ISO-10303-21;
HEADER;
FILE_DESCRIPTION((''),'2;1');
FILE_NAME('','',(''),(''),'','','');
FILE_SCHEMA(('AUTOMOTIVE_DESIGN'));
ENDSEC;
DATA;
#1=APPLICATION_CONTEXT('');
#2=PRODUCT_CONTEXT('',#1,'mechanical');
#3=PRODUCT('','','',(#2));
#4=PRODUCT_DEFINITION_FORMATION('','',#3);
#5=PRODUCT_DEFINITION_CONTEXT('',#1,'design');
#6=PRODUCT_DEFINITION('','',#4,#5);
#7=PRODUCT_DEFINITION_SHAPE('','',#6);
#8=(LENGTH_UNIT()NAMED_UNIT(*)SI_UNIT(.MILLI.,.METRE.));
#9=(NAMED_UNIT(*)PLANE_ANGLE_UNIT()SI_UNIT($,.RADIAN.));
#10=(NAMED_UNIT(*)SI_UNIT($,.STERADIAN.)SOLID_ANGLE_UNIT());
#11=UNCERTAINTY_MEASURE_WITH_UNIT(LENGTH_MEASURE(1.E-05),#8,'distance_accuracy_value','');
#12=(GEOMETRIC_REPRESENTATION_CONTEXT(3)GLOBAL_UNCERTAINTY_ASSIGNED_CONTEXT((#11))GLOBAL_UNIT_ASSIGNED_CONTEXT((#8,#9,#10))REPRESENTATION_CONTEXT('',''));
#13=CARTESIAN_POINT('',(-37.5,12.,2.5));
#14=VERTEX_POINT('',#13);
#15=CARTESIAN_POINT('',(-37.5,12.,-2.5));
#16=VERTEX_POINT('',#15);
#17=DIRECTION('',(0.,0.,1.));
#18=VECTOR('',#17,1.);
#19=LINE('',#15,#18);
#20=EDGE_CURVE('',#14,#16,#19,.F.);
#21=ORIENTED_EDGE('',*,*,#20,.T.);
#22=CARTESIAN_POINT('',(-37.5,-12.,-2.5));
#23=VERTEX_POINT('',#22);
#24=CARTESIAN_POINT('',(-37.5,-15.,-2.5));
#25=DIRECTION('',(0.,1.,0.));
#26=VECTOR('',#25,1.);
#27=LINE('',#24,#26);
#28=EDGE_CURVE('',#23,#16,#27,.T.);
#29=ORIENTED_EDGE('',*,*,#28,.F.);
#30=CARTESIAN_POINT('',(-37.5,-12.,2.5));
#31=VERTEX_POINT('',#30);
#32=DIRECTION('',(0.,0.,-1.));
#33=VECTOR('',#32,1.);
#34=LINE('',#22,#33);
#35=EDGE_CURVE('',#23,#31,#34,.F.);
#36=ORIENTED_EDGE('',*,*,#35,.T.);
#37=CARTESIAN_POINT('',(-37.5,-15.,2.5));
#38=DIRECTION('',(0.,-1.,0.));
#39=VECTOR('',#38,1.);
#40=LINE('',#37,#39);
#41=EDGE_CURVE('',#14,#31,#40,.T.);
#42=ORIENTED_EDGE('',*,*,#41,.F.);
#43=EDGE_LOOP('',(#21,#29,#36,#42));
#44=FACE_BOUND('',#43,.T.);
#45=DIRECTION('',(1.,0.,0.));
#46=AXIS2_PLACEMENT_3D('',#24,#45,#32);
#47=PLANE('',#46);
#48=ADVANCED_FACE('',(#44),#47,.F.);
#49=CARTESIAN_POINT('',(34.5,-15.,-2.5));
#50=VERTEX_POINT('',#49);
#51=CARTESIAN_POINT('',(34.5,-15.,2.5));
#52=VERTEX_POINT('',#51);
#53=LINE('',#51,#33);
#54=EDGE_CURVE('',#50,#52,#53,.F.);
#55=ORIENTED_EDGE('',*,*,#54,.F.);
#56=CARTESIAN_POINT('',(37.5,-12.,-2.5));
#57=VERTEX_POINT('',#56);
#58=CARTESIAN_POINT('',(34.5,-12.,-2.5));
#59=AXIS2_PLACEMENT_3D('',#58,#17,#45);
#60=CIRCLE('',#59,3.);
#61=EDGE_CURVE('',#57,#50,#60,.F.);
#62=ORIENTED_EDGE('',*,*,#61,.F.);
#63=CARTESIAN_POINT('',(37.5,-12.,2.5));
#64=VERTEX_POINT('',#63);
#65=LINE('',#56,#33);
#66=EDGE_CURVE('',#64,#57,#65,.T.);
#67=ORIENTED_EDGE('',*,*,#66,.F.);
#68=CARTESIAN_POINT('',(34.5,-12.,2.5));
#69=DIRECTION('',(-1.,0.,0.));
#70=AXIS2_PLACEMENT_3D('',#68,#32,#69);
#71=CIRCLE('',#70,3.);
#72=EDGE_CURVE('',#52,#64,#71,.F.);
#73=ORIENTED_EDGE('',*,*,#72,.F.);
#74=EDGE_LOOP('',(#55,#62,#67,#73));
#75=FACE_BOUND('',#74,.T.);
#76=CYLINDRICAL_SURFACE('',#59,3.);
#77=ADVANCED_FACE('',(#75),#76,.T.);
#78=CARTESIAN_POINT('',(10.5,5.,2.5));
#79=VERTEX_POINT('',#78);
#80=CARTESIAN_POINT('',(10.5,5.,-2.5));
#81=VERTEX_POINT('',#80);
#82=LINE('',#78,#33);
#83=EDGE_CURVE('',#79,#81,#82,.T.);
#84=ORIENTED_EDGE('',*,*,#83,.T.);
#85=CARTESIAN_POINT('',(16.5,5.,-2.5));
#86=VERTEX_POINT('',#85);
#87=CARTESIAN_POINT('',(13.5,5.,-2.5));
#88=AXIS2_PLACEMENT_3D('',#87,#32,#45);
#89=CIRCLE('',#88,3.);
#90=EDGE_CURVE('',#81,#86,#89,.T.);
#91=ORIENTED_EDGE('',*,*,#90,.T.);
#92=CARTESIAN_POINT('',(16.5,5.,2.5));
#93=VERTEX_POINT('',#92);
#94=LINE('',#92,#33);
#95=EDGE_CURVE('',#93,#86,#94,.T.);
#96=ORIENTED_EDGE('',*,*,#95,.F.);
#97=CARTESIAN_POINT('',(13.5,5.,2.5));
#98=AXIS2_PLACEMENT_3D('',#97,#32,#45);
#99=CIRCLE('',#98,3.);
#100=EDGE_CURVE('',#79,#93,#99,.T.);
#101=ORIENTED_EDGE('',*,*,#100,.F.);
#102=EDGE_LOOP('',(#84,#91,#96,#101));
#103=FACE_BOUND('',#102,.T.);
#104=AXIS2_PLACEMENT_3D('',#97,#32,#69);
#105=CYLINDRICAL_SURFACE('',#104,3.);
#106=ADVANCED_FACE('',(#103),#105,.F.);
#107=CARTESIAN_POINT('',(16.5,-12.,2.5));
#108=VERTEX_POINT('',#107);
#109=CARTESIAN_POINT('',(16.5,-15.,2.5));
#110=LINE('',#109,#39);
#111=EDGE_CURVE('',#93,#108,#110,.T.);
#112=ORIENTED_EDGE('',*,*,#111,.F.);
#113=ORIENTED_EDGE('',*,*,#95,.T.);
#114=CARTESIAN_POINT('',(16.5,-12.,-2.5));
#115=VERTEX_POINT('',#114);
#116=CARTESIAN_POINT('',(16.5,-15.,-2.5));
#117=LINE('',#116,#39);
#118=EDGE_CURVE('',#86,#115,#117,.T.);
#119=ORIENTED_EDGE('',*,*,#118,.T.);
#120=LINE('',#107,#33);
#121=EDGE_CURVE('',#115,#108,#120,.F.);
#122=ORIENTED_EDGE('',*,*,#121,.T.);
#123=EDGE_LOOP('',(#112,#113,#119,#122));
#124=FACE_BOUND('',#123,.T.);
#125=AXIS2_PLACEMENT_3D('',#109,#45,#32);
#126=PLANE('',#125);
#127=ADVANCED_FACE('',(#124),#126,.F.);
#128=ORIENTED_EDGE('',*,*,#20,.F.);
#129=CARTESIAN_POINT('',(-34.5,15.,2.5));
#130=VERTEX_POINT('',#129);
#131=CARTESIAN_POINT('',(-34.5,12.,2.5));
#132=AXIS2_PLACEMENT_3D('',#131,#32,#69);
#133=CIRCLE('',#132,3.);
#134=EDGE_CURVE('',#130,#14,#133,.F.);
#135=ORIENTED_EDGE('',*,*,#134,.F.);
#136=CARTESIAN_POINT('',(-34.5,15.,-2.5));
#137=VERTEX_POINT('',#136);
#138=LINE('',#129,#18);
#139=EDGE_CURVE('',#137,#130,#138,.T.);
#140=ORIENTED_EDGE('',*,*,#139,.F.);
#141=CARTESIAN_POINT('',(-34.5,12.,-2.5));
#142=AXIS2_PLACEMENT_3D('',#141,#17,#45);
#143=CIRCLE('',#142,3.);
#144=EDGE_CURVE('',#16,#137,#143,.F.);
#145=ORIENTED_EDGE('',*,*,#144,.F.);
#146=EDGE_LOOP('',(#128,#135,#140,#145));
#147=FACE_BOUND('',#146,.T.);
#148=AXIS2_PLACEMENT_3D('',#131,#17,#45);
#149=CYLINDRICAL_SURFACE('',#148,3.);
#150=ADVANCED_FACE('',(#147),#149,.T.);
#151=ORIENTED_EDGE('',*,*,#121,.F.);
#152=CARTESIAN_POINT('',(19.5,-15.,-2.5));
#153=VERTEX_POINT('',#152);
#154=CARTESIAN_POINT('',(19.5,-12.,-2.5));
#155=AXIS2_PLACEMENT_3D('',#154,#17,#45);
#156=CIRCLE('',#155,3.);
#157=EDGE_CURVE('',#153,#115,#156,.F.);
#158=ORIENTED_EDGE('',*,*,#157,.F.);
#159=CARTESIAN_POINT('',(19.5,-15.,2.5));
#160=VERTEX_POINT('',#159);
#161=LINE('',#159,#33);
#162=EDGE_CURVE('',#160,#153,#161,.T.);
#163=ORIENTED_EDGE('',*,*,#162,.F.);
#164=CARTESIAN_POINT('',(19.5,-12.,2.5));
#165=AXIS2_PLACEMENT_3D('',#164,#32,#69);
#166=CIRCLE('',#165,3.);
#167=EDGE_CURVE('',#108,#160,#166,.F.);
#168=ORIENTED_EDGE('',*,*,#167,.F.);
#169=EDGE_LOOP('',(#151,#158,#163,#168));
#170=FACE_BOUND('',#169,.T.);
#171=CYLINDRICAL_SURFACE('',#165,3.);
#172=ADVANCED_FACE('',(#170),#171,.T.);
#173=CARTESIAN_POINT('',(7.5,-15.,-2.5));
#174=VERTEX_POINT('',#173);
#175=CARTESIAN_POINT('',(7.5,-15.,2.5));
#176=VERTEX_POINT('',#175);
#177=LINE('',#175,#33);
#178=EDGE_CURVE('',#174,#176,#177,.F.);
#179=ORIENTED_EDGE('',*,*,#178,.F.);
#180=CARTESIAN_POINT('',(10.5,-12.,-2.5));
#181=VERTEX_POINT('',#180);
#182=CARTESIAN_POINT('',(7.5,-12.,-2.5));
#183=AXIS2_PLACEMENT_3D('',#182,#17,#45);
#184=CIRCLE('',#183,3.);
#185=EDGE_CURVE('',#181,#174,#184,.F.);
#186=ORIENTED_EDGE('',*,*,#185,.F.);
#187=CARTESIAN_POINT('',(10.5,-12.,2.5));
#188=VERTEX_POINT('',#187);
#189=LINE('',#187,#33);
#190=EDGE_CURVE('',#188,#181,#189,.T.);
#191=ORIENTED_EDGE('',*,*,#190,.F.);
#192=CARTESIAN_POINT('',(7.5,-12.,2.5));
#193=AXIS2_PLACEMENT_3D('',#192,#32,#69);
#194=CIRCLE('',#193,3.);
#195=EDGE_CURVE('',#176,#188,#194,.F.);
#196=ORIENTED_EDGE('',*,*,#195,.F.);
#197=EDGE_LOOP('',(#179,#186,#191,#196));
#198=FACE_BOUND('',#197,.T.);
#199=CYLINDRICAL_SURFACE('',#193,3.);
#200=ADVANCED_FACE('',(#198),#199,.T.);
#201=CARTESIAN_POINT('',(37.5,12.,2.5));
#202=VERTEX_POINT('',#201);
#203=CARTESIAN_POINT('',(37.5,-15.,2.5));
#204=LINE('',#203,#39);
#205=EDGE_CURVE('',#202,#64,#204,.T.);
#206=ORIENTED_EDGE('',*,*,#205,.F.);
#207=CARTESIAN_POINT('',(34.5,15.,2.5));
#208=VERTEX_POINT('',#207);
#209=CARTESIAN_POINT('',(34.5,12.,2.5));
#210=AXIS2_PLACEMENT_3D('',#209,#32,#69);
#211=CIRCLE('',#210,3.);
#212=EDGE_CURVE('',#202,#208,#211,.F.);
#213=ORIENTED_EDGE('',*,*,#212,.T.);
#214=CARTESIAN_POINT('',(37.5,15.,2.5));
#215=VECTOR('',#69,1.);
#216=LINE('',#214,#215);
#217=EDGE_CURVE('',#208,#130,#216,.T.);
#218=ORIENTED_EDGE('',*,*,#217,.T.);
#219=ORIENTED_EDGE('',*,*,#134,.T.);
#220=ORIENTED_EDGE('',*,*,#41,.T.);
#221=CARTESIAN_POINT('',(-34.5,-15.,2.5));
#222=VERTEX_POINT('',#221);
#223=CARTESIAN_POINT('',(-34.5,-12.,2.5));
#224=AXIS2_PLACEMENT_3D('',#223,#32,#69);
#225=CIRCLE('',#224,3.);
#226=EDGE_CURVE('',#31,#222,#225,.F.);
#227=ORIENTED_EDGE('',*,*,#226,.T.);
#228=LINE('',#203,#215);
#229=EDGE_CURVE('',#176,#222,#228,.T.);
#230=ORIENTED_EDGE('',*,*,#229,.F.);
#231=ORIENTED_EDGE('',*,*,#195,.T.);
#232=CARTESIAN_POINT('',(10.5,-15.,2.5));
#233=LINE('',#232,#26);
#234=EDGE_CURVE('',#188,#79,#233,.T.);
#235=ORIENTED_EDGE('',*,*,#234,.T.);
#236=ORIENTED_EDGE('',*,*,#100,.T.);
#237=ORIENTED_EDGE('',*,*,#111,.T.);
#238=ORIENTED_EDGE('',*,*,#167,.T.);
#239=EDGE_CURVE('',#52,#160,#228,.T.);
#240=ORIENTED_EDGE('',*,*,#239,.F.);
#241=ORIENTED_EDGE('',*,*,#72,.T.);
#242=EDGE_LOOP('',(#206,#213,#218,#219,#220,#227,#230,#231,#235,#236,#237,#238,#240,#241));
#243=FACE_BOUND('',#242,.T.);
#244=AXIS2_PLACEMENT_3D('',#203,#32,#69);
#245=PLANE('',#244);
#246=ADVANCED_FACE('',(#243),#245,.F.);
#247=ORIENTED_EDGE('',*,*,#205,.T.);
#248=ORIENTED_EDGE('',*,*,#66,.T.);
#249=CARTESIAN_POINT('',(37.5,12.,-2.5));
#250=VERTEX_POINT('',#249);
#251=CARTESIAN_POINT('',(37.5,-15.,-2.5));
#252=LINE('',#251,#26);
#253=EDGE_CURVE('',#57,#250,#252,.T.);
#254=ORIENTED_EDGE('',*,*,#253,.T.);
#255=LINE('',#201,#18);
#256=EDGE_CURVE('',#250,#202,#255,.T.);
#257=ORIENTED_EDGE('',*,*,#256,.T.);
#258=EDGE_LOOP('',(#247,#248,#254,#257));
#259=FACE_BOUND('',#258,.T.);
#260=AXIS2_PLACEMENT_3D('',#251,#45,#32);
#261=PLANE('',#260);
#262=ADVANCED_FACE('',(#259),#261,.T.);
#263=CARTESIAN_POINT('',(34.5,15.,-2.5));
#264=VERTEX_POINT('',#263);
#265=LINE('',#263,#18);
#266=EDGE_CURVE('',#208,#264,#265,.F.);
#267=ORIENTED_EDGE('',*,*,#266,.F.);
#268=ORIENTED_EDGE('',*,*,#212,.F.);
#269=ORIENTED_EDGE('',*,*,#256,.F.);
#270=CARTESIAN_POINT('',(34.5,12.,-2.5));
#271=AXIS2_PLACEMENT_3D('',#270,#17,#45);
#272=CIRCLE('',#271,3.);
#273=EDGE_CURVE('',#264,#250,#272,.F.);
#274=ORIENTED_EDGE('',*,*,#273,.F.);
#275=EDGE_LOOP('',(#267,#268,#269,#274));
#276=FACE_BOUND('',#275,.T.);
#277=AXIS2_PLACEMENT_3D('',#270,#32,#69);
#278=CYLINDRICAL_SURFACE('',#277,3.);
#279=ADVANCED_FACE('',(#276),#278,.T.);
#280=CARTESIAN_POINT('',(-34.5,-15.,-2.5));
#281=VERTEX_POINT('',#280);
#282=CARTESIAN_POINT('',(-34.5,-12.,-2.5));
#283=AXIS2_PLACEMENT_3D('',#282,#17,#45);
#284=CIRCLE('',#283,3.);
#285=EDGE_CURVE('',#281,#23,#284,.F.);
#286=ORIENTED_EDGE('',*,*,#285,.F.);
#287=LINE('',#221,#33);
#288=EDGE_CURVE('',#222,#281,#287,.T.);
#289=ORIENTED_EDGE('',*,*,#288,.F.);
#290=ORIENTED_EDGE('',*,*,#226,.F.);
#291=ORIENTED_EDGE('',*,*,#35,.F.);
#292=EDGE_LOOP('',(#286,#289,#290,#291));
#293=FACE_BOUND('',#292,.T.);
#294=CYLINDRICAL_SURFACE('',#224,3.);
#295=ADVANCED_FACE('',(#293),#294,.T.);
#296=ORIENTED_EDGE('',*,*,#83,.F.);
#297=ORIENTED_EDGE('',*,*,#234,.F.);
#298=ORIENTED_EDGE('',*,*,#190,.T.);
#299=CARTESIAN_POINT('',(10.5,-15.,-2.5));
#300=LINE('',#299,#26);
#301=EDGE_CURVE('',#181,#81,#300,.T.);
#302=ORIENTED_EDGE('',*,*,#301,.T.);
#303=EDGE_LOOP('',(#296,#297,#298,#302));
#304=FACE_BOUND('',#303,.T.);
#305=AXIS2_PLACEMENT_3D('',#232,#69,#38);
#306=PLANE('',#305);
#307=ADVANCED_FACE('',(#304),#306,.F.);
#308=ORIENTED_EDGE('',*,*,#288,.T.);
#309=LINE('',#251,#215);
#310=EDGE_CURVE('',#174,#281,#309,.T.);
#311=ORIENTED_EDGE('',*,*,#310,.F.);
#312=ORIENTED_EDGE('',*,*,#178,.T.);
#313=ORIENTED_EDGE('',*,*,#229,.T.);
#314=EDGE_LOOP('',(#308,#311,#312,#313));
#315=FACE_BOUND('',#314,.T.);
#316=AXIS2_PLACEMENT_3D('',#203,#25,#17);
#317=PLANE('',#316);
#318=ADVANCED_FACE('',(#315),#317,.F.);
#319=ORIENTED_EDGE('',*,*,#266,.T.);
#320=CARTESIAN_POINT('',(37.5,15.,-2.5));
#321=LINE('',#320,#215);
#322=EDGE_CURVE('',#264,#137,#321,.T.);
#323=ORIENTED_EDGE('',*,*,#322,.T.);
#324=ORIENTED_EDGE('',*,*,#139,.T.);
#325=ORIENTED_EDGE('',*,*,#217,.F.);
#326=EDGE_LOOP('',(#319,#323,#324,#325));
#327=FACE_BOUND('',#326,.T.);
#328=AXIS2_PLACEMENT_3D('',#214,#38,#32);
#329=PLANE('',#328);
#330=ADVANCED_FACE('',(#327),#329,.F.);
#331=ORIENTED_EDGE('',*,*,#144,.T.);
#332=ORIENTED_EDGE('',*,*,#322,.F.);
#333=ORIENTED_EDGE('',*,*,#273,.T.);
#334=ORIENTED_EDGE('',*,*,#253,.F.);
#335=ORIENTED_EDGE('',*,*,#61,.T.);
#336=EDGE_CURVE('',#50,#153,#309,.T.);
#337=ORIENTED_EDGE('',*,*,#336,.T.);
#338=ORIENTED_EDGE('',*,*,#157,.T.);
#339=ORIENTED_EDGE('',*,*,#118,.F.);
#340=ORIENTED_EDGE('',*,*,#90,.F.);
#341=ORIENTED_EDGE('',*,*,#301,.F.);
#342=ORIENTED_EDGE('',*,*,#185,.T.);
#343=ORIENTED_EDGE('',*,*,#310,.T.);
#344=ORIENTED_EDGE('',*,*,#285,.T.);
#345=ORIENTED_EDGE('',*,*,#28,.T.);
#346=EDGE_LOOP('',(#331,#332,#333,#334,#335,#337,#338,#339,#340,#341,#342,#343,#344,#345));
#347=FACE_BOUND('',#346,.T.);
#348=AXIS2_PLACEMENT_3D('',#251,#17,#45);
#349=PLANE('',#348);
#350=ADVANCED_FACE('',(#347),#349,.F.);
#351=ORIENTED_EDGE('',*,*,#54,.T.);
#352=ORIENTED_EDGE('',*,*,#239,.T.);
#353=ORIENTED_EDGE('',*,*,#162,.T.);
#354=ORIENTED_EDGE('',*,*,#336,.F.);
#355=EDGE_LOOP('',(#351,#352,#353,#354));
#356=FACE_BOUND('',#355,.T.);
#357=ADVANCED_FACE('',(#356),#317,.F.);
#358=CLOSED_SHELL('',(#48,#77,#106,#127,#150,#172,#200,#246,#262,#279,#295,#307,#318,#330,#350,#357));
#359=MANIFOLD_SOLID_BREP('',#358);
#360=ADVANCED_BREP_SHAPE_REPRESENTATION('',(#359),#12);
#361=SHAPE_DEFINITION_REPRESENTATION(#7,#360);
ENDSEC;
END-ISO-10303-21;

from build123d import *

# Parameters (mm, degrees)
PLAT_W                      = 30
PLAT_H                      = 5
EL_MENT_M_CANO_SOUD_1_DEPTH = 75
ENL_V_MAT_EXTRU_1_DEPTH     = 6
CONG_1_R                    = 3


with BuildPart() as part:
    # plat → Elément mécano-soudé1 (new body)
    with BuildSketch(Plane.YZ.offset(-37.5)):
        Rectangle(PLAT_W, PLAT_H)
    extrude(amount=EL_MENT_M_CANO_SOUD_1_DEPTH)

    # Esquisse2 → Enlèv. mat.-Extru.1 (cut, through all)
    with BuildSketch(Plane(origin=(0, 0, -2.5), x_dir=(-1, 0, 0), z_dir=(0, 0, -1))):
        with BuildLine():
            Line((-16.5, -15), (-10.5, -15))
            Line((-10.5, -15), (-10.5, 5))
            ThreePointArc((-10.5, 5), (-13.5, 8), (-16.5, 5))
            Line((-16.5, 5), (-16.5, -15))
        make_face()
    extrude(amount=-ENL_V_MAT_EXTRU_1_DEPTH, mode=Mode.SUBTRACT)

    # Congé1
    cong_1_edges = [part.edges().sort_by_distance(p)[0] for p in [
        (37.5, 15, 0),
        (16.5, -15, 0),
        (10.5, -15, 0),
        (37.5, -15, 0),
        (-37.5, 15, 0),
        (-37.5, -15, 0),
    ]]
    fillet(cong_1_edges, radius=CONG_1_R)


solid = part.part
